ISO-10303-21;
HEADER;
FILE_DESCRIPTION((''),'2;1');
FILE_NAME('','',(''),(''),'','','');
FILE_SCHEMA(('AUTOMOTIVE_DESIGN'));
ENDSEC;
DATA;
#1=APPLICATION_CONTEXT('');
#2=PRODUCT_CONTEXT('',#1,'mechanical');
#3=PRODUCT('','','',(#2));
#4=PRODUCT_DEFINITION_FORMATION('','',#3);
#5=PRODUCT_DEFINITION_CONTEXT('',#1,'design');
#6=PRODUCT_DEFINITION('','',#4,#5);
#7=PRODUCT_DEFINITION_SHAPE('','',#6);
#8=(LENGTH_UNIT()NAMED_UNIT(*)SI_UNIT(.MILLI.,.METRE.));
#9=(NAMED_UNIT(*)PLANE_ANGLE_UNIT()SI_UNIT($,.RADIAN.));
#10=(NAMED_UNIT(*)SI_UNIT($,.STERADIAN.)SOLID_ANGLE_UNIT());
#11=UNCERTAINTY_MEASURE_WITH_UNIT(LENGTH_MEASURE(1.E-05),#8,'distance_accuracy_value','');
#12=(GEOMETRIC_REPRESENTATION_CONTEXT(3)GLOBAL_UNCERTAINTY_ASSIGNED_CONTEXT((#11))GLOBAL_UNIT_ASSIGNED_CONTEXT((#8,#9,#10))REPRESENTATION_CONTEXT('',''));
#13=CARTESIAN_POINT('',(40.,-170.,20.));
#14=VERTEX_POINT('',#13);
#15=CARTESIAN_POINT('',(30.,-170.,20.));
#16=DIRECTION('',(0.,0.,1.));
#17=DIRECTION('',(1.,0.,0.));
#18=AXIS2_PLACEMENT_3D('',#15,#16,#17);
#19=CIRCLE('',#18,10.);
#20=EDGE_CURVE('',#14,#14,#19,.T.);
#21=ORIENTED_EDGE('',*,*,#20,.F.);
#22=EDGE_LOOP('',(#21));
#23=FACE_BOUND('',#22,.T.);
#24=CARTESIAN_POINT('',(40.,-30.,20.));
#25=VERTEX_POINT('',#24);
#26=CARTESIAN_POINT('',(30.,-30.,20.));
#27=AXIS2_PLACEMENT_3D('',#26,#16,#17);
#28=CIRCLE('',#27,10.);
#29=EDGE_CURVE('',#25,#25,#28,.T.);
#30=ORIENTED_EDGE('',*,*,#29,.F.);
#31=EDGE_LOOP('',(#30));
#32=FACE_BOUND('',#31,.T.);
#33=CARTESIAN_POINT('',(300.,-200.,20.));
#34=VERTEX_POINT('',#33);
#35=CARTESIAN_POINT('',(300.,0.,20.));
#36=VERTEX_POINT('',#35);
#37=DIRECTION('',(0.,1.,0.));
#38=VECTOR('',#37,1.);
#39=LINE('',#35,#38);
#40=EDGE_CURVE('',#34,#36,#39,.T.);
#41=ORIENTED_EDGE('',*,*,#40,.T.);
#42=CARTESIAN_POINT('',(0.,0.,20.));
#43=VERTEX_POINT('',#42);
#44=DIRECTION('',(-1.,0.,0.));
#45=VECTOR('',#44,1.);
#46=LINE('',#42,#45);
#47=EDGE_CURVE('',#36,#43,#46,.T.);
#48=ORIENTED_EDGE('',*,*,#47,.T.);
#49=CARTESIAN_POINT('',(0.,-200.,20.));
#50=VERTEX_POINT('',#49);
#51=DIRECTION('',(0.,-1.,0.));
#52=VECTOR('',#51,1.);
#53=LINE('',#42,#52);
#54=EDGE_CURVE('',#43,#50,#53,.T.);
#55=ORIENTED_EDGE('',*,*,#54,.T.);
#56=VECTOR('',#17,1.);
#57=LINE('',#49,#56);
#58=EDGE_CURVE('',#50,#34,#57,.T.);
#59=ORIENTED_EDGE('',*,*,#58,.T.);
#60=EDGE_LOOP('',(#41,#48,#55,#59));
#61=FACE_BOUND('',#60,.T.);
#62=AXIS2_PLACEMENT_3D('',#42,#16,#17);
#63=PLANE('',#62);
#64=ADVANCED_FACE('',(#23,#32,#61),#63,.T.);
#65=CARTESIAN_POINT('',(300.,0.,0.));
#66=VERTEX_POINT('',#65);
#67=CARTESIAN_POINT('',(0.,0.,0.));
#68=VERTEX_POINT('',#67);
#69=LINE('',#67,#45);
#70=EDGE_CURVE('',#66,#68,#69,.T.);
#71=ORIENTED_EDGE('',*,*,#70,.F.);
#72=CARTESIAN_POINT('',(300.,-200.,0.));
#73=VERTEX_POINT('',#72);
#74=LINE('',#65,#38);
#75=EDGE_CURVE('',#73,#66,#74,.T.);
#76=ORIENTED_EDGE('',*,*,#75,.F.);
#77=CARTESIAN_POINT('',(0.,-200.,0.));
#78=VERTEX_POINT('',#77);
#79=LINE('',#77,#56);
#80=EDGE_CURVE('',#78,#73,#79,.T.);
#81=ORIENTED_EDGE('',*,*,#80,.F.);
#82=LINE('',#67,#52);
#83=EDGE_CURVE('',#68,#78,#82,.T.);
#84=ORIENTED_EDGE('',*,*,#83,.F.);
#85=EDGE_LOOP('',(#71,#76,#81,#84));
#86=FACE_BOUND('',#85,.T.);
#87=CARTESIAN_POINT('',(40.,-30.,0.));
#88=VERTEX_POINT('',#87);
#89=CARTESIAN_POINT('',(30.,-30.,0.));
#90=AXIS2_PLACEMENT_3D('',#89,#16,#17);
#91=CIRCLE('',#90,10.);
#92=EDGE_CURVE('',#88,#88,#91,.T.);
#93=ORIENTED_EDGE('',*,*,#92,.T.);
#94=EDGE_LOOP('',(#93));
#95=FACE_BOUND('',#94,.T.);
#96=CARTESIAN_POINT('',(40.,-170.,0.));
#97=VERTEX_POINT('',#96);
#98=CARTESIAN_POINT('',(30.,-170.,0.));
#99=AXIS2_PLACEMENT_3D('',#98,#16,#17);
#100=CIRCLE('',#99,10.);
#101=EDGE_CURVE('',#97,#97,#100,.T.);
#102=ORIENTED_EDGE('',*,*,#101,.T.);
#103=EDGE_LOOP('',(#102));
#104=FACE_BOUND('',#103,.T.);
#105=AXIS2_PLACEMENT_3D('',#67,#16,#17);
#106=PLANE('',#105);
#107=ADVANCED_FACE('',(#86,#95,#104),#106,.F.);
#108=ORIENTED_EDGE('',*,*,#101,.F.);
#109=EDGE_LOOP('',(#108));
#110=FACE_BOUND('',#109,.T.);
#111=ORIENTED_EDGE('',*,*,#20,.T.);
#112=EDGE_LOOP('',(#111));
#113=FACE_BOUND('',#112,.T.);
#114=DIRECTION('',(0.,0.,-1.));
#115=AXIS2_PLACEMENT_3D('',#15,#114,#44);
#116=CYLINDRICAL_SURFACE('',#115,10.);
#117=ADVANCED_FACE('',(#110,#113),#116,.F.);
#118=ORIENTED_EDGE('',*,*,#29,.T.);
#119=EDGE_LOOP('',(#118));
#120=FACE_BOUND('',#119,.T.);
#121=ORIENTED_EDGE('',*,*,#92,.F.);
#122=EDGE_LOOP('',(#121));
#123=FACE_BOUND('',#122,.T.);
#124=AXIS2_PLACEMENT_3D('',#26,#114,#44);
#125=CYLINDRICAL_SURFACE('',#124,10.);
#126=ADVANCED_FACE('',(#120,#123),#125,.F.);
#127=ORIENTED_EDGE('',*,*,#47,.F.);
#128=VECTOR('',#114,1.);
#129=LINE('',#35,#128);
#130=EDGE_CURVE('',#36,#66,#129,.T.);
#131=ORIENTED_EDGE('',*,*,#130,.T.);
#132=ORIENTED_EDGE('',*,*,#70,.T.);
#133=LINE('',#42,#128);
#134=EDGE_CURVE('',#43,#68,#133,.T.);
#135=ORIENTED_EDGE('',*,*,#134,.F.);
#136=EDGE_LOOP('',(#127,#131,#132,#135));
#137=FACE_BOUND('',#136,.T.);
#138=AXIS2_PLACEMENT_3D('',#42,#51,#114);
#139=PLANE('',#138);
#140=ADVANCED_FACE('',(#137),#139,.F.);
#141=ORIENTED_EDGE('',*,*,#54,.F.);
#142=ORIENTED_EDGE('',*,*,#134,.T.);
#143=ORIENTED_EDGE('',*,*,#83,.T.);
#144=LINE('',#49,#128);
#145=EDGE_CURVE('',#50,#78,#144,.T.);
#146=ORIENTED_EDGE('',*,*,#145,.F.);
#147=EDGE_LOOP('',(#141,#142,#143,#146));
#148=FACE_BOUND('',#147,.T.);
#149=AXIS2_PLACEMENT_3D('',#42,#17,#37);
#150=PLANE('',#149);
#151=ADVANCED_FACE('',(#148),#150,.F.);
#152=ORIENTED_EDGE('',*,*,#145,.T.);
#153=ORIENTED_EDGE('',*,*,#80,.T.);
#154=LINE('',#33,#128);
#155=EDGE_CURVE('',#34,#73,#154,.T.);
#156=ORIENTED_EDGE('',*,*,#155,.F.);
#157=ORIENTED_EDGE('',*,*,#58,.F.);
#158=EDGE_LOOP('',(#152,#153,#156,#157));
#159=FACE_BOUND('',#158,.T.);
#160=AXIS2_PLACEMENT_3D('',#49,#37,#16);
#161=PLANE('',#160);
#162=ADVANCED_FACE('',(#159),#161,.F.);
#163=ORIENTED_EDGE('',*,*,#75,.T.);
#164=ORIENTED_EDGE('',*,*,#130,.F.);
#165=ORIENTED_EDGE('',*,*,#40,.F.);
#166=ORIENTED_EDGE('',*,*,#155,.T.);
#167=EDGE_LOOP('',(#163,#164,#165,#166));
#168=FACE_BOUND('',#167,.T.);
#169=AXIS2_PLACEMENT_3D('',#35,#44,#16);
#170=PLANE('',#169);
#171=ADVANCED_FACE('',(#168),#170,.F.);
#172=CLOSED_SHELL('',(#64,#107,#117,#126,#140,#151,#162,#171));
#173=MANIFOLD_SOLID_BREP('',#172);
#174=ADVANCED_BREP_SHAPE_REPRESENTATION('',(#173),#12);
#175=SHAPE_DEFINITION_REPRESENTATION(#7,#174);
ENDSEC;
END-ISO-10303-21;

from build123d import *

# Parameters (mm, degrees)
SZKIC1_W                    = 300
SZKIC1_H                    = 200
SZKIC1_R                    = 10
DODANIE_WYCI_GNI_CIE1_DEPTH = 20


with BuildPart() as part:
    # Szkic1 → Dodanie-wyciągnięcie1 (new body)
    with BuildSketch(Plane.XY):
        with Locations((150, -100)):
            Rectangle(SZKIC1_W, SZKIC1_H)
        with Locations((30, -170)):
            Circle(SZKIC1_R, mode=Mode.SUBTRACT)
        with Locations((30, -30)):
            Circle(SZKIC1_R, mode=Mode.SUBTRACT)
    extrude(amount=DODANIE_WYCI_GNI_CIE1_DEPTH)


solid = part.part
